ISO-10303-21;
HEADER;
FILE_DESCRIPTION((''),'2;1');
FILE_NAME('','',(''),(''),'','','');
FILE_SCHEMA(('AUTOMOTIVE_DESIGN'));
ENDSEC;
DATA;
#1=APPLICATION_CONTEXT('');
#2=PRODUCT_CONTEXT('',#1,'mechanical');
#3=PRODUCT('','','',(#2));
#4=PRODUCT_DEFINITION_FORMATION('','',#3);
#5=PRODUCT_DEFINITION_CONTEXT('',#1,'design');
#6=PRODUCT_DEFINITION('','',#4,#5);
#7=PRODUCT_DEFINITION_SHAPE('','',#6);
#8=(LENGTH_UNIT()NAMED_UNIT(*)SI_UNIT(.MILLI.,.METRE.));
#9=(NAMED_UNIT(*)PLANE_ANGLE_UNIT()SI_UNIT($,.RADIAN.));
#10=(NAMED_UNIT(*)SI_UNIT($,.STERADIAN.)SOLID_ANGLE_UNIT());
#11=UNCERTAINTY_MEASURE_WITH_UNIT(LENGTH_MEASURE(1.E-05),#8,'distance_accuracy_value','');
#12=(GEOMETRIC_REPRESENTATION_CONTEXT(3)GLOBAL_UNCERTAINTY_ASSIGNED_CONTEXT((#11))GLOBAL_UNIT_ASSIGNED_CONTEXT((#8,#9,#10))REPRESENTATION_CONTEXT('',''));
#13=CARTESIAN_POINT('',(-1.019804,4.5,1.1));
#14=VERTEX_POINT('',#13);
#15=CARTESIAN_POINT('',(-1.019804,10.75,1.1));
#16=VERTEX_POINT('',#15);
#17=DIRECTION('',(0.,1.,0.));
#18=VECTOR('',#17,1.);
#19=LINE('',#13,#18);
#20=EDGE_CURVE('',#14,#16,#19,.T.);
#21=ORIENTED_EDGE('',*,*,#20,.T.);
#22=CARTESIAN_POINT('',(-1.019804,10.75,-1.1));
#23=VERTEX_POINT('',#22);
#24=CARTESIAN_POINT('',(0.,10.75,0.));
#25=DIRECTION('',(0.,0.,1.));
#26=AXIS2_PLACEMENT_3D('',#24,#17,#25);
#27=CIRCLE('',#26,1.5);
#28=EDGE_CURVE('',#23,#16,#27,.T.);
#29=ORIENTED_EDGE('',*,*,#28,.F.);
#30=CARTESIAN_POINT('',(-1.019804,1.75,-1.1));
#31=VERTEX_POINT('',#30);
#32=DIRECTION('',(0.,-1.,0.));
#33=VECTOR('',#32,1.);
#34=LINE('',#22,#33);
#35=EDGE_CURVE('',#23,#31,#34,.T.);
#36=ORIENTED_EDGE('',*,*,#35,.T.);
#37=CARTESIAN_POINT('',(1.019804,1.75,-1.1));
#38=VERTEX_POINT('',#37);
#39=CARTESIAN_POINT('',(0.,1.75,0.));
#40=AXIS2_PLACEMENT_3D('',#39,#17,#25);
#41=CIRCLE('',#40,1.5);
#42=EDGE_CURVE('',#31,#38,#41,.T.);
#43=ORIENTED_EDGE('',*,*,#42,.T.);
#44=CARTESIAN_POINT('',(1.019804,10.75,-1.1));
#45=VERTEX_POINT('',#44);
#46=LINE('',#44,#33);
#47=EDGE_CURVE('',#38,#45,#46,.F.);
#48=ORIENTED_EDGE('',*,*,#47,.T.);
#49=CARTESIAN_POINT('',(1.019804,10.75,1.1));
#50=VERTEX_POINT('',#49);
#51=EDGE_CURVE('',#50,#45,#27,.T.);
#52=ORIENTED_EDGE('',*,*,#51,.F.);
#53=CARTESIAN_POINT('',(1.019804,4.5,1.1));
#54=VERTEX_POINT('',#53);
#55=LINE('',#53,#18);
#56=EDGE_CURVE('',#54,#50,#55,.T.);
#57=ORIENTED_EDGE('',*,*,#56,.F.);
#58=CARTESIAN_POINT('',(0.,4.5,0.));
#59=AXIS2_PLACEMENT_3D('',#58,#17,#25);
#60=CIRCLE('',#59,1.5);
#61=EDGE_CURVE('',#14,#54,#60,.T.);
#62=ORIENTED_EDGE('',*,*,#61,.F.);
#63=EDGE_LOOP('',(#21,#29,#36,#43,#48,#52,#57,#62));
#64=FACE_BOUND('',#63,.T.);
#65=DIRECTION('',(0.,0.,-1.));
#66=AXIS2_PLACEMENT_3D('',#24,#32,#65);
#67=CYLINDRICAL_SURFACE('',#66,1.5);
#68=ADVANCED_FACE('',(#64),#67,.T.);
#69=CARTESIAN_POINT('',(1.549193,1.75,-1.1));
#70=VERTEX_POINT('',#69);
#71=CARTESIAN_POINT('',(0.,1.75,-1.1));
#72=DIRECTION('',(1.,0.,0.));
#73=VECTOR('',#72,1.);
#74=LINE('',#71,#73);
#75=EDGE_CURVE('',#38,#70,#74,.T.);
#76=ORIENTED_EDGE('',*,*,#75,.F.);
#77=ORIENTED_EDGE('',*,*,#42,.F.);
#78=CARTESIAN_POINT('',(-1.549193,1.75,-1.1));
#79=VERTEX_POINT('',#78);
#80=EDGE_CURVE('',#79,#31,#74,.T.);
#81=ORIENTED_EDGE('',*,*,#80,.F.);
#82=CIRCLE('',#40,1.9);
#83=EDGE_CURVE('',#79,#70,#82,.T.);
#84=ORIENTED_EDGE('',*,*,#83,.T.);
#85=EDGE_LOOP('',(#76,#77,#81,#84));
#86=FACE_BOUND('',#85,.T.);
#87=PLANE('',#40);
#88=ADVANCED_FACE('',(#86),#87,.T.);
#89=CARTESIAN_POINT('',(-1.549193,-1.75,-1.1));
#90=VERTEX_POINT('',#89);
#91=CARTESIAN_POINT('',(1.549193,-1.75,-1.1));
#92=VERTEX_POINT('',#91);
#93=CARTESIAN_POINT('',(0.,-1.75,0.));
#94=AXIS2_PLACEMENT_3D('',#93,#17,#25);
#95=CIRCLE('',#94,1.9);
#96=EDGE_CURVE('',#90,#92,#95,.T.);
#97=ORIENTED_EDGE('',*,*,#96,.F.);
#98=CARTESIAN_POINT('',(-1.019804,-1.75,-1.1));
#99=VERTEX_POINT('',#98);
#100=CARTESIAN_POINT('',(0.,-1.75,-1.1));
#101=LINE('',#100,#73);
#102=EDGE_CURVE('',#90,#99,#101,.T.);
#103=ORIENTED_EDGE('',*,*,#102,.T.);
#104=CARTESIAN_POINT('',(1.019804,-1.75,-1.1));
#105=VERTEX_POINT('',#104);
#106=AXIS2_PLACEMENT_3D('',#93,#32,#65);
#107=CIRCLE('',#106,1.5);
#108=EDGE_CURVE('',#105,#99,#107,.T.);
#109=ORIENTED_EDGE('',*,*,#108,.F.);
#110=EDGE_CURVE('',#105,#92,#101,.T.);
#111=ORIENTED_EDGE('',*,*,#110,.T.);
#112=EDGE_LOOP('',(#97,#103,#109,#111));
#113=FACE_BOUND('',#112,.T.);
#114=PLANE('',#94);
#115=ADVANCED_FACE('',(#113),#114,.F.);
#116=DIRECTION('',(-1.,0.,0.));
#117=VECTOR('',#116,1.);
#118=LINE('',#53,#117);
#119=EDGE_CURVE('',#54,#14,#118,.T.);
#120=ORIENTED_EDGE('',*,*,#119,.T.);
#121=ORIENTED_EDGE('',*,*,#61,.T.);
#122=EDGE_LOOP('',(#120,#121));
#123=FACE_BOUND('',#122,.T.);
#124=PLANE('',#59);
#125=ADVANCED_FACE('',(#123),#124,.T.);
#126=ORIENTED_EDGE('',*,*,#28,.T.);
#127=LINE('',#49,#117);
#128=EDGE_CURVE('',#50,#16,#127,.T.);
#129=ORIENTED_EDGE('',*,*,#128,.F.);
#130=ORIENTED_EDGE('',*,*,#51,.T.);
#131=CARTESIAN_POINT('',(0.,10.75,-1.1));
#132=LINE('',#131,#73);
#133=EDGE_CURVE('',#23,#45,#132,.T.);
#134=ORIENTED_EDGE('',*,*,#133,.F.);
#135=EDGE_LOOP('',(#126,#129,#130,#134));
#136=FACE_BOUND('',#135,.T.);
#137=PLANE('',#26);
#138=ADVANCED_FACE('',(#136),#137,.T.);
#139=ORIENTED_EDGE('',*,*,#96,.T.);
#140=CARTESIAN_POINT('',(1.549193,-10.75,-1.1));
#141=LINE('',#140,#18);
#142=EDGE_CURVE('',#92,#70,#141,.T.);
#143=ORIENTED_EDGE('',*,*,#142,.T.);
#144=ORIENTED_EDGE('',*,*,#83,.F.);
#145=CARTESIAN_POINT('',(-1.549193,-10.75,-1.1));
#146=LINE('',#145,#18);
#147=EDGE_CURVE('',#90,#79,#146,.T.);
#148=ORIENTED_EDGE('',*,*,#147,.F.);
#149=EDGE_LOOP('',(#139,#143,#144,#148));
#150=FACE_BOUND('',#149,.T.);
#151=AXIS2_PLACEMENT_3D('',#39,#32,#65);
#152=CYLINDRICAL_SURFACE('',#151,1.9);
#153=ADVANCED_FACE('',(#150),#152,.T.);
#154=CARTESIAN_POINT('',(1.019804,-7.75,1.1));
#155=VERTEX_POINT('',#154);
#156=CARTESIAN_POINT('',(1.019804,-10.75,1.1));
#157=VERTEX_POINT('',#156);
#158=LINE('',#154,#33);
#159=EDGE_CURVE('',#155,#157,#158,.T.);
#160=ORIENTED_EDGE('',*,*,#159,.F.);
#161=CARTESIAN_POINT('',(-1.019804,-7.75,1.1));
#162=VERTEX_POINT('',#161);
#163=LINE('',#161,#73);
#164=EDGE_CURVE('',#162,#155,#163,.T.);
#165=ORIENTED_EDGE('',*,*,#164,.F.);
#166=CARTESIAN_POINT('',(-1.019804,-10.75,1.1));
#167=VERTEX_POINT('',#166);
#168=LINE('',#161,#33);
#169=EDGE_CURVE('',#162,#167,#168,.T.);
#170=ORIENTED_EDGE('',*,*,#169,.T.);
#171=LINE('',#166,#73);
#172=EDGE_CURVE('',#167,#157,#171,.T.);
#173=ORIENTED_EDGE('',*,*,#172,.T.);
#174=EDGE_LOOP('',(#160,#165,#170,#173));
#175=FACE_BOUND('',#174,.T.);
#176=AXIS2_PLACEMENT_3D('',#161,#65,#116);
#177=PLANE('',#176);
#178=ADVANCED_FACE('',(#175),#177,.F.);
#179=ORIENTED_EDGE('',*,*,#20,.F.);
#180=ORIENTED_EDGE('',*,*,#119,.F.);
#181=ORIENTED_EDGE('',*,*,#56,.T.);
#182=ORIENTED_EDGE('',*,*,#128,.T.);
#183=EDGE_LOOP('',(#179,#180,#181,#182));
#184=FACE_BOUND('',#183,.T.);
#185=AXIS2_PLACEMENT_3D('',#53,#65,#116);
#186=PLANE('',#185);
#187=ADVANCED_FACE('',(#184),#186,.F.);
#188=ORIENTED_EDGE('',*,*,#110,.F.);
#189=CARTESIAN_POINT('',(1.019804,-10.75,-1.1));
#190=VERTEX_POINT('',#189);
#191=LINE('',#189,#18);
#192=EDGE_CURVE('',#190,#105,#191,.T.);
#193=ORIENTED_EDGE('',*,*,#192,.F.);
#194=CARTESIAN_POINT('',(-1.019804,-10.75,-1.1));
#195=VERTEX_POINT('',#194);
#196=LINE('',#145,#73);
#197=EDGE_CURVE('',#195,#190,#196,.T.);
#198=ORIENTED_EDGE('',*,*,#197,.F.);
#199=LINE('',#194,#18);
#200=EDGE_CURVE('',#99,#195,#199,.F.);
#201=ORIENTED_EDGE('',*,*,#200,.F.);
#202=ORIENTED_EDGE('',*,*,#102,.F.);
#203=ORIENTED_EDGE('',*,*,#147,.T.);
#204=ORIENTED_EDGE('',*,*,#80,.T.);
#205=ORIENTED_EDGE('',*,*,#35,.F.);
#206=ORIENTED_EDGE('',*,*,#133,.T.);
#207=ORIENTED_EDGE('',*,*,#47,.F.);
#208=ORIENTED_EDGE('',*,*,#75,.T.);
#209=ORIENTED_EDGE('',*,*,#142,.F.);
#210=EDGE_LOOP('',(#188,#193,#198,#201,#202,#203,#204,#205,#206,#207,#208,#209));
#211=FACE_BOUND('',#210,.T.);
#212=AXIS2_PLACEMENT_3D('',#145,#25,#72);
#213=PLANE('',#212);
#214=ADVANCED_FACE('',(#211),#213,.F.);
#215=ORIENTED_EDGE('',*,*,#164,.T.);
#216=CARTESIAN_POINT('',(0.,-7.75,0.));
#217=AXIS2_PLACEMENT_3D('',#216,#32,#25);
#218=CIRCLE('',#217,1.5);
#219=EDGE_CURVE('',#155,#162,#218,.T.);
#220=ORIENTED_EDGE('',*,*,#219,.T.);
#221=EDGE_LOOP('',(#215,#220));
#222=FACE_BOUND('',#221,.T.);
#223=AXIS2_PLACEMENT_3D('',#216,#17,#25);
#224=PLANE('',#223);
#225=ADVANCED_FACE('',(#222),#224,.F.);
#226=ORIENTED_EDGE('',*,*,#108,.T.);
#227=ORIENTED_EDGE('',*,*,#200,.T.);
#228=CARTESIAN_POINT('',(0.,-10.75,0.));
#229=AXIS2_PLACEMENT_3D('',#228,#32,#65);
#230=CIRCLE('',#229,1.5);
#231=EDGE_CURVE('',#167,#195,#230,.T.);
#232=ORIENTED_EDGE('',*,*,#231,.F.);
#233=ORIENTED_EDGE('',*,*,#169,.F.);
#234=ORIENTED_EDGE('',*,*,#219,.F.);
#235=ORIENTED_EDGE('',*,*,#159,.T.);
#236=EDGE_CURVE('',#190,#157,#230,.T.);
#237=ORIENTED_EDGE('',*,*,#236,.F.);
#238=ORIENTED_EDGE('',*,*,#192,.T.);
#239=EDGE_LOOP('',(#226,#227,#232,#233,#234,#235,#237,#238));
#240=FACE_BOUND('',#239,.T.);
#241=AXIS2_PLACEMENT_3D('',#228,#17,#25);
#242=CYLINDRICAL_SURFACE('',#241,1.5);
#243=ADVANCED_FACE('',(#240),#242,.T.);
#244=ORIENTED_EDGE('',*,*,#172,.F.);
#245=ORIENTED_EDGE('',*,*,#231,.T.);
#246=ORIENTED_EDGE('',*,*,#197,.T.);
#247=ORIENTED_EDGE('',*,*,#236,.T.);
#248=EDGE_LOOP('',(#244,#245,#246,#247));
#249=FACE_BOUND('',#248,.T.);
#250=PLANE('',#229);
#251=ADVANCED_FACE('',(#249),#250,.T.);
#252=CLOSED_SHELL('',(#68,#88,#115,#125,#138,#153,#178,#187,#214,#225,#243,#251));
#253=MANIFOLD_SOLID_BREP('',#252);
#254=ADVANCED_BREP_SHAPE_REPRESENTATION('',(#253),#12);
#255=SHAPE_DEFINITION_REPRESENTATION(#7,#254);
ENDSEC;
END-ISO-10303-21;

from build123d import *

# Parameters (mm, degrees)
SKETCH1_R               = 1.9
BOSS_EXTRUDE1_DEPTH     = 1.75
SKETCH2_R               = 1.5
BOSS_EXTRUDE2_DEPTH     = 9
BOSS_EXTRUDE3_START     = 9
SKETCH4_R               = 1.5
BOSS_EXTRUDE3_DEPTH     = 9
CUT_EXTRUDE1_DEPTH      = 12.08072651
CUT_EXTRUDE1_DEPTH_BACK = 12.08072651
CUT_EXTRUDE2_DEPTH      = 6.25
CUT_EXTRUDE3_START      = -3
CUT_EXTRUDE3_DEPTH      = 3


with BuildPart() as part:
    # Sketch1 → Boss-Extrude1 (new, symmetric)
    with BuildSketch(Plane(origin=(0, 0, 0), x_dir=(1, 0, 0), z_dir=(0, 1, 0))):
        with Locations(Location((0, 0, 0), (0, 0, 270))):
            Circle(SKETCH1_R)
    extrude(amount=BOSS_EXTRUDE1_DEPTH, both=True)

    # Sketch2 → Boss-Extrude2 (add)
    with BuildSketch(Plane.XZ.offset(1.75)):
        with Locations(Location((0, 0, 0), (0, 0, 270))):
            Circle(SKETCH2_R)
    extrude(amount=BOSS_EXTRUDE2_DEPTH)

    # Sketch4 → Boss-Extrude3 (add)
    with BuildSketch(Plane(origin=(0, 1.75, 0), x_dir=(1, 0, 0), z_dir=(0, 1, 0)).offset(BOSS_EXTRUDE3_START)):
        with Locations(Location((0, 0, 0), (0, 0, 90))):
            Circle(SKETCH4_R)
    extrude(amount=-BOSS_EXTRUDE3_DEPTH)

    # Sketch3 → Cut-Extrude1 (cut, two sides: drawn at the far end of the back side and taken through both)
    with BuildSketch(Plane(origin=(0, 0, 0), x_dir=(1, 0, 0), z_dir=(0, 1, 0)).offset(-CUT_EXTRUDE1_DEPTH_BACK)):
        with BuildLine():
            Line((-1.549193338, 1.1), (1.549193338, 1.1))
            ThreePointArc((1.549193338, 1.1), (0, 1.9), (-1.549193338, 1.1))
        make_face()
    extrude(amount=CUT_EXTRUDE1_DEPTH + CUT_EXTRUDE1_DEPTH_BACK, mode=Mode.SUBTRACT)

    # Sketch5 → Cut-Extrude2 (cut)
    with BuildSketch(Plane(origin=(0, 10.75, 0), x_dir=(1, 0, 0), z_dir=(0, 1, 0))):
        with BuildLine():
            Line((1.019803903, -1.1), (-1.019803903, -1.1))
            ThreePointArc((-1.019803903, -1.1), (0, -1.5), (1.019803903, -1.1))
        make_face()
    extrude(amount=-CUT_EXTRUDE2_DEPTH, mode=Mode.SUBTRACT)

    # Sketch6 → Cut-Extrude3 (cut)
    with BuildSketch(Plane.XZ.offset(10.75).offset(CUT_EXTRUDE3_START)):
        with BuildLine():
            Line((-1.019803903, 1.1), (1.019803903, 1.1))
            ThreePointArc((1.019803903, 1.1), (0, 1.5), (-1.019803903, 1.1))
        make_face()
    extrude(amount=CUT_EXTRUDE3_DEPTH, mode=Mode.SUBTRACT)


solid = part.part
